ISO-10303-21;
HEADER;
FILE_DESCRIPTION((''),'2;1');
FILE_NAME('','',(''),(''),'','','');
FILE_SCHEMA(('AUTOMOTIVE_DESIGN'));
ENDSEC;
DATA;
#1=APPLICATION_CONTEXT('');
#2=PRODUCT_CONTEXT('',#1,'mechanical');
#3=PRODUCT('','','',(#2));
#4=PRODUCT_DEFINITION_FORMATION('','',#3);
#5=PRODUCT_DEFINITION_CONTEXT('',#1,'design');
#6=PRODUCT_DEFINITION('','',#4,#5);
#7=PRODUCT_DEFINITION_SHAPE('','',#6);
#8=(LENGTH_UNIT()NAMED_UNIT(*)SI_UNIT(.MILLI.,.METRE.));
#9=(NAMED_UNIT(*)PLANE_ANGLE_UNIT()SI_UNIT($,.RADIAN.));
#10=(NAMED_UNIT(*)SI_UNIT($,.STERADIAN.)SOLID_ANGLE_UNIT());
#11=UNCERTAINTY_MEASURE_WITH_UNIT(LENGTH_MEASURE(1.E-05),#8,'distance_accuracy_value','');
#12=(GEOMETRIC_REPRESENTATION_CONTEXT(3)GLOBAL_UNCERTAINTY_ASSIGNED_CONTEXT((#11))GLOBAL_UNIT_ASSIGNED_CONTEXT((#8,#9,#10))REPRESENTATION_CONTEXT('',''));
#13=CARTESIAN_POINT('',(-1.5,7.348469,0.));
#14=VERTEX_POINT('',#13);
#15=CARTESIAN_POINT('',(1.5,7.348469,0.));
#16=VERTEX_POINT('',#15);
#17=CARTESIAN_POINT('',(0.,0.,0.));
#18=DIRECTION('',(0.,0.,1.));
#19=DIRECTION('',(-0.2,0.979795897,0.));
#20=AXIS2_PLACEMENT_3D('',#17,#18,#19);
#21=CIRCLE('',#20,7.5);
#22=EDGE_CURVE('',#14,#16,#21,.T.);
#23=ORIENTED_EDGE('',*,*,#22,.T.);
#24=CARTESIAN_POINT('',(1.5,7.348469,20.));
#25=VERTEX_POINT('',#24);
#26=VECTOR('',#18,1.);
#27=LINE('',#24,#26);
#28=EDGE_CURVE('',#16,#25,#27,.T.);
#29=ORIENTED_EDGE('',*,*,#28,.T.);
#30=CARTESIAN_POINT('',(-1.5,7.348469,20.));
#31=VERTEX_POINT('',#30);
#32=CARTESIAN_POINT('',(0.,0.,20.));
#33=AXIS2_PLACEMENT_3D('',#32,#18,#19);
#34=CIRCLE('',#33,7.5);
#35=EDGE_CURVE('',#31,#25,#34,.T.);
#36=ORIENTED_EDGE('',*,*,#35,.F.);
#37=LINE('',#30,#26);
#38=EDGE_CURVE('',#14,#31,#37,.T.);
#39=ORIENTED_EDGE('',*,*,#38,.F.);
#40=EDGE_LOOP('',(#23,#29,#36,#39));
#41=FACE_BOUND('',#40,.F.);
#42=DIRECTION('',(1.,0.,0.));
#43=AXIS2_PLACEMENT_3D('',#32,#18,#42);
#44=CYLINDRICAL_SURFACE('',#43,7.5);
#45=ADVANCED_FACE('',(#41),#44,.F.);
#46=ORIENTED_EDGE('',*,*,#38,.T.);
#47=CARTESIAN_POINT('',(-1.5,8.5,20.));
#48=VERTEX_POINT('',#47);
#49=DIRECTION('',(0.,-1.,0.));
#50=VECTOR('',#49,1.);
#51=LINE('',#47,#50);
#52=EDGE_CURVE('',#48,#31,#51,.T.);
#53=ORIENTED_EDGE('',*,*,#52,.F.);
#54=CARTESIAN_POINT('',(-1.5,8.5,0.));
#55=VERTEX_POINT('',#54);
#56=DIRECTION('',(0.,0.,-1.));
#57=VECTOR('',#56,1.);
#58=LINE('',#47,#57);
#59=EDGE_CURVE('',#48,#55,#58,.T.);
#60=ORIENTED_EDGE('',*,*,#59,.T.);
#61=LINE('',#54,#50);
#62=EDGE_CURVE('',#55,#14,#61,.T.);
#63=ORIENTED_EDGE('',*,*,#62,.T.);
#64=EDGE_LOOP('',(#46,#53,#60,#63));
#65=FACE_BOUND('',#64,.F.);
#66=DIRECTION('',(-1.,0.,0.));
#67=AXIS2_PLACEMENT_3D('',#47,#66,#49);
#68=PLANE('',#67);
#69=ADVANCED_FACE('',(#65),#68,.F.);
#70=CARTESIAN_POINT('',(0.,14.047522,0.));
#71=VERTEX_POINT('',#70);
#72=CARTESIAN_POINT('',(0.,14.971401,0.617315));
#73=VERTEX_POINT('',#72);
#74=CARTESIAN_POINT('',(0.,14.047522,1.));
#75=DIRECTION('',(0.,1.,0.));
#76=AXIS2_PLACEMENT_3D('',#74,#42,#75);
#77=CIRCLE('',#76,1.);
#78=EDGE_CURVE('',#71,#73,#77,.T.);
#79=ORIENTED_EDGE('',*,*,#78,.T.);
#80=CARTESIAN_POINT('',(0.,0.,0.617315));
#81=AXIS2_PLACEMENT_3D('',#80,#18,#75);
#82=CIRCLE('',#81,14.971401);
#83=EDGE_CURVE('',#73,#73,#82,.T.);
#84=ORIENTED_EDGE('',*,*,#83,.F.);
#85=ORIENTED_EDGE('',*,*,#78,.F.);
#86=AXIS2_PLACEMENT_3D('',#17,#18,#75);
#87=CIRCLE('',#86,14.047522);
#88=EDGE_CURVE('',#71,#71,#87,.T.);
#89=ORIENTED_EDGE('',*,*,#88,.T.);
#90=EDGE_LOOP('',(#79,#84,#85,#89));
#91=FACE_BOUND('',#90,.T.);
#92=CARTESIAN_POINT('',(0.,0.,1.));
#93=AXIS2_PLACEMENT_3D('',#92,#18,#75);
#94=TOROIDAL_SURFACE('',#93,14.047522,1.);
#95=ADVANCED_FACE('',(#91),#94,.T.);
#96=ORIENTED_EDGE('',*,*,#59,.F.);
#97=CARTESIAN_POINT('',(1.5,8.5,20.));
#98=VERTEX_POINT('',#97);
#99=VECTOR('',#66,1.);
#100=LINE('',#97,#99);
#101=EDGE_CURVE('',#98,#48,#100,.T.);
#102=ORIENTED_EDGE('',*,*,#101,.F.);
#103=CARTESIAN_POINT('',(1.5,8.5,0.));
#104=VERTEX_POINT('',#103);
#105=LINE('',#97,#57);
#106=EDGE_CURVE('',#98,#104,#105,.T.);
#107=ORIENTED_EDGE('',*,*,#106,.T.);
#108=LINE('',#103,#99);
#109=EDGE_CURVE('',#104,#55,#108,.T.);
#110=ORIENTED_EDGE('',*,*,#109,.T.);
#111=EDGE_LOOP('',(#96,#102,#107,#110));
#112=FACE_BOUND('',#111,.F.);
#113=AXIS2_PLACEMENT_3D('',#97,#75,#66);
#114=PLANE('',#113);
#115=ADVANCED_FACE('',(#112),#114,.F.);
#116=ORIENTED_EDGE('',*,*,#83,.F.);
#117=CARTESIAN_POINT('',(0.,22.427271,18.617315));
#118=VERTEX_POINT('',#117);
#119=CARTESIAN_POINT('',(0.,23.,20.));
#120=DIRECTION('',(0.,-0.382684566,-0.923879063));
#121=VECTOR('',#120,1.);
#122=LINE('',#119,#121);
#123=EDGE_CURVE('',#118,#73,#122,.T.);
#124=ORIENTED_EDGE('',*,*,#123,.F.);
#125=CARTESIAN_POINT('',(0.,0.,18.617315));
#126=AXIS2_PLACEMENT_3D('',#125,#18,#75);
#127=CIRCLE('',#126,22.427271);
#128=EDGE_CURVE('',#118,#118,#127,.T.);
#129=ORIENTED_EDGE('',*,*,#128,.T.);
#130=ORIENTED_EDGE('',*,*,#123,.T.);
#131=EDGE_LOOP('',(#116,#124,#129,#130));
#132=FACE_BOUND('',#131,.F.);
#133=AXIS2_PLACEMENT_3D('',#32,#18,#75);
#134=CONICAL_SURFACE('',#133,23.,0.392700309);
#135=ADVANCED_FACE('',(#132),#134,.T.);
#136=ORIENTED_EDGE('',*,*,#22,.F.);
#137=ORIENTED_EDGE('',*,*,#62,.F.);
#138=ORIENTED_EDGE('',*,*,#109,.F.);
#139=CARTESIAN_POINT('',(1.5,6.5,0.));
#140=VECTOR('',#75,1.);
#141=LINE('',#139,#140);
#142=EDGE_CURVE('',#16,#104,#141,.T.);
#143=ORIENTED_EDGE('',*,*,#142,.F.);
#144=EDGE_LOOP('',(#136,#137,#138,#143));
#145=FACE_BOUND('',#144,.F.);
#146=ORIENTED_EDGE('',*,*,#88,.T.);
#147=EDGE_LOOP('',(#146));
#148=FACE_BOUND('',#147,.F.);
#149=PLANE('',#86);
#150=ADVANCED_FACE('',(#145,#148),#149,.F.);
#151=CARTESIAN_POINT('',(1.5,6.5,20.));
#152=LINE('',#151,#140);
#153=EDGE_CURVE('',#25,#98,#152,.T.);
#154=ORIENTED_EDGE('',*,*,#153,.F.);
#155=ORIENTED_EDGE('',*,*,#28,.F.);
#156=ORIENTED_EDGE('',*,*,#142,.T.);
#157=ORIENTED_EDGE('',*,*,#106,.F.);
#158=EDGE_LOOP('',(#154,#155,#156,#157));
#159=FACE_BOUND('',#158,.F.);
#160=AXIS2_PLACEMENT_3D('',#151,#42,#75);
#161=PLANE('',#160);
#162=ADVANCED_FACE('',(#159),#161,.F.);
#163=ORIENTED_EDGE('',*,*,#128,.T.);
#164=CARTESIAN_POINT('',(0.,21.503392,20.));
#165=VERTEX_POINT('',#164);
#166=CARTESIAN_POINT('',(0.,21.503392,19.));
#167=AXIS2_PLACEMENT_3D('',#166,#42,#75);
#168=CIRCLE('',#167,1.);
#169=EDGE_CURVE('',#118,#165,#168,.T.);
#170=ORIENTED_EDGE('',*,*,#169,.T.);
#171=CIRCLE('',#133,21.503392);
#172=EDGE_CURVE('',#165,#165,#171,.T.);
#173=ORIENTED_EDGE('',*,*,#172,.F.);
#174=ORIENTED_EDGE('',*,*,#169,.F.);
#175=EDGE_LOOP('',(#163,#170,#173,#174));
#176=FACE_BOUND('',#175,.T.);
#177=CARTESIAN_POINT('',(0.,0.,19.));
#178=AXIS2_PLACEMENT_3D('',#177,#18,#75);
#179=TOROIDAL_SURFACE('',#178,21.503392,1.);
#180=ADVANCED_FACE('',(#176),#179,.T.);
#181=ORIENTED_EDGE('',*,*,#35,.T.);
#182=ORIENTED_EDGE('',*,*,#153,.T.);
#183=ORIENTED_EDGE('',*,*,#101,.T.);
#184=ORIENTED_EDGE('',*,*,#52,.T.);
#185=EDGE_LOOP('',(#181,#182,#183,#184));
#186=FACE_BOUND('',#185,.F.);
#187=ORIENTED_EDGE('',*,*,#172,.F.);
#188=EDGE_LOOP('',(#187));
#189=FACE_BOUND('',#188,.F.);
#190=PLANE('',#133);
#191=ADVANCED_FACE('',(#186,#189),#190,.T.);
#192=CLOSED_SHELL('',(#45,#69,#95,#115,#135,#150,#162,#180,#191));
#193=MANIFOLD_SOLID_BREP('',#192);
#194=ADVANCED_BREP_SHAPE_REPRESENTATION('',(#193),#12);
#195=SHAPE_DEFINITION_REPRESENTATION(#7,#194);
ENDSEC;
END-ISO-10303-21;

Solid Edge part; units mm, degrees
sketch "Sketch1" plane through (0, 0, 0) normal (1, 0, 0) x (0, 1, 0)
  line L0 (3, 0) -> (3, 20)
  line L1 (3, 20) -> (23, 20)
  line L2 (23, 20) -> (14.7157, 0)
  line L3 (14.7157, 0) -> (3, 0)
  dimension "D1" = 20
  dimension "D2" = 20
  dimension "D3" = 3
  dimension "D4" = 11.7157
revolve "RevolvedProtrusion1" add sketch "Sketch1" angle 360 about axis through (0, 0, 0) along (0, 0, 1)
sketch "Sketch2" plane through (0, 0, 20) normal (0, 0, 1) x (1, 0, 0)
  circle A0 centre (0, 0) radius 7.5
  line L0 (1.5, 8.5) -> (-1.5, 8.5)
  line L1 (-1.5, 8.5) -> (-1.5, 6.5)
  line L2 (-1.5, 6.5) -> (1.5, 6.5)
  line L3 (1.5, 6.5) -> (1.5, 8.5)
  dimension "D1" = 6.5
  dimension "D2" = 15
  dimension "D3" = 2
  dimension "D4" = 3
extrude "Cutout1" cut sketch "Sketch2" against normal up to surface (20 mm away)
fillet "Round1" radius 1 2 edges at (-23, 0, 20) (-14.7157, 0, 0)
